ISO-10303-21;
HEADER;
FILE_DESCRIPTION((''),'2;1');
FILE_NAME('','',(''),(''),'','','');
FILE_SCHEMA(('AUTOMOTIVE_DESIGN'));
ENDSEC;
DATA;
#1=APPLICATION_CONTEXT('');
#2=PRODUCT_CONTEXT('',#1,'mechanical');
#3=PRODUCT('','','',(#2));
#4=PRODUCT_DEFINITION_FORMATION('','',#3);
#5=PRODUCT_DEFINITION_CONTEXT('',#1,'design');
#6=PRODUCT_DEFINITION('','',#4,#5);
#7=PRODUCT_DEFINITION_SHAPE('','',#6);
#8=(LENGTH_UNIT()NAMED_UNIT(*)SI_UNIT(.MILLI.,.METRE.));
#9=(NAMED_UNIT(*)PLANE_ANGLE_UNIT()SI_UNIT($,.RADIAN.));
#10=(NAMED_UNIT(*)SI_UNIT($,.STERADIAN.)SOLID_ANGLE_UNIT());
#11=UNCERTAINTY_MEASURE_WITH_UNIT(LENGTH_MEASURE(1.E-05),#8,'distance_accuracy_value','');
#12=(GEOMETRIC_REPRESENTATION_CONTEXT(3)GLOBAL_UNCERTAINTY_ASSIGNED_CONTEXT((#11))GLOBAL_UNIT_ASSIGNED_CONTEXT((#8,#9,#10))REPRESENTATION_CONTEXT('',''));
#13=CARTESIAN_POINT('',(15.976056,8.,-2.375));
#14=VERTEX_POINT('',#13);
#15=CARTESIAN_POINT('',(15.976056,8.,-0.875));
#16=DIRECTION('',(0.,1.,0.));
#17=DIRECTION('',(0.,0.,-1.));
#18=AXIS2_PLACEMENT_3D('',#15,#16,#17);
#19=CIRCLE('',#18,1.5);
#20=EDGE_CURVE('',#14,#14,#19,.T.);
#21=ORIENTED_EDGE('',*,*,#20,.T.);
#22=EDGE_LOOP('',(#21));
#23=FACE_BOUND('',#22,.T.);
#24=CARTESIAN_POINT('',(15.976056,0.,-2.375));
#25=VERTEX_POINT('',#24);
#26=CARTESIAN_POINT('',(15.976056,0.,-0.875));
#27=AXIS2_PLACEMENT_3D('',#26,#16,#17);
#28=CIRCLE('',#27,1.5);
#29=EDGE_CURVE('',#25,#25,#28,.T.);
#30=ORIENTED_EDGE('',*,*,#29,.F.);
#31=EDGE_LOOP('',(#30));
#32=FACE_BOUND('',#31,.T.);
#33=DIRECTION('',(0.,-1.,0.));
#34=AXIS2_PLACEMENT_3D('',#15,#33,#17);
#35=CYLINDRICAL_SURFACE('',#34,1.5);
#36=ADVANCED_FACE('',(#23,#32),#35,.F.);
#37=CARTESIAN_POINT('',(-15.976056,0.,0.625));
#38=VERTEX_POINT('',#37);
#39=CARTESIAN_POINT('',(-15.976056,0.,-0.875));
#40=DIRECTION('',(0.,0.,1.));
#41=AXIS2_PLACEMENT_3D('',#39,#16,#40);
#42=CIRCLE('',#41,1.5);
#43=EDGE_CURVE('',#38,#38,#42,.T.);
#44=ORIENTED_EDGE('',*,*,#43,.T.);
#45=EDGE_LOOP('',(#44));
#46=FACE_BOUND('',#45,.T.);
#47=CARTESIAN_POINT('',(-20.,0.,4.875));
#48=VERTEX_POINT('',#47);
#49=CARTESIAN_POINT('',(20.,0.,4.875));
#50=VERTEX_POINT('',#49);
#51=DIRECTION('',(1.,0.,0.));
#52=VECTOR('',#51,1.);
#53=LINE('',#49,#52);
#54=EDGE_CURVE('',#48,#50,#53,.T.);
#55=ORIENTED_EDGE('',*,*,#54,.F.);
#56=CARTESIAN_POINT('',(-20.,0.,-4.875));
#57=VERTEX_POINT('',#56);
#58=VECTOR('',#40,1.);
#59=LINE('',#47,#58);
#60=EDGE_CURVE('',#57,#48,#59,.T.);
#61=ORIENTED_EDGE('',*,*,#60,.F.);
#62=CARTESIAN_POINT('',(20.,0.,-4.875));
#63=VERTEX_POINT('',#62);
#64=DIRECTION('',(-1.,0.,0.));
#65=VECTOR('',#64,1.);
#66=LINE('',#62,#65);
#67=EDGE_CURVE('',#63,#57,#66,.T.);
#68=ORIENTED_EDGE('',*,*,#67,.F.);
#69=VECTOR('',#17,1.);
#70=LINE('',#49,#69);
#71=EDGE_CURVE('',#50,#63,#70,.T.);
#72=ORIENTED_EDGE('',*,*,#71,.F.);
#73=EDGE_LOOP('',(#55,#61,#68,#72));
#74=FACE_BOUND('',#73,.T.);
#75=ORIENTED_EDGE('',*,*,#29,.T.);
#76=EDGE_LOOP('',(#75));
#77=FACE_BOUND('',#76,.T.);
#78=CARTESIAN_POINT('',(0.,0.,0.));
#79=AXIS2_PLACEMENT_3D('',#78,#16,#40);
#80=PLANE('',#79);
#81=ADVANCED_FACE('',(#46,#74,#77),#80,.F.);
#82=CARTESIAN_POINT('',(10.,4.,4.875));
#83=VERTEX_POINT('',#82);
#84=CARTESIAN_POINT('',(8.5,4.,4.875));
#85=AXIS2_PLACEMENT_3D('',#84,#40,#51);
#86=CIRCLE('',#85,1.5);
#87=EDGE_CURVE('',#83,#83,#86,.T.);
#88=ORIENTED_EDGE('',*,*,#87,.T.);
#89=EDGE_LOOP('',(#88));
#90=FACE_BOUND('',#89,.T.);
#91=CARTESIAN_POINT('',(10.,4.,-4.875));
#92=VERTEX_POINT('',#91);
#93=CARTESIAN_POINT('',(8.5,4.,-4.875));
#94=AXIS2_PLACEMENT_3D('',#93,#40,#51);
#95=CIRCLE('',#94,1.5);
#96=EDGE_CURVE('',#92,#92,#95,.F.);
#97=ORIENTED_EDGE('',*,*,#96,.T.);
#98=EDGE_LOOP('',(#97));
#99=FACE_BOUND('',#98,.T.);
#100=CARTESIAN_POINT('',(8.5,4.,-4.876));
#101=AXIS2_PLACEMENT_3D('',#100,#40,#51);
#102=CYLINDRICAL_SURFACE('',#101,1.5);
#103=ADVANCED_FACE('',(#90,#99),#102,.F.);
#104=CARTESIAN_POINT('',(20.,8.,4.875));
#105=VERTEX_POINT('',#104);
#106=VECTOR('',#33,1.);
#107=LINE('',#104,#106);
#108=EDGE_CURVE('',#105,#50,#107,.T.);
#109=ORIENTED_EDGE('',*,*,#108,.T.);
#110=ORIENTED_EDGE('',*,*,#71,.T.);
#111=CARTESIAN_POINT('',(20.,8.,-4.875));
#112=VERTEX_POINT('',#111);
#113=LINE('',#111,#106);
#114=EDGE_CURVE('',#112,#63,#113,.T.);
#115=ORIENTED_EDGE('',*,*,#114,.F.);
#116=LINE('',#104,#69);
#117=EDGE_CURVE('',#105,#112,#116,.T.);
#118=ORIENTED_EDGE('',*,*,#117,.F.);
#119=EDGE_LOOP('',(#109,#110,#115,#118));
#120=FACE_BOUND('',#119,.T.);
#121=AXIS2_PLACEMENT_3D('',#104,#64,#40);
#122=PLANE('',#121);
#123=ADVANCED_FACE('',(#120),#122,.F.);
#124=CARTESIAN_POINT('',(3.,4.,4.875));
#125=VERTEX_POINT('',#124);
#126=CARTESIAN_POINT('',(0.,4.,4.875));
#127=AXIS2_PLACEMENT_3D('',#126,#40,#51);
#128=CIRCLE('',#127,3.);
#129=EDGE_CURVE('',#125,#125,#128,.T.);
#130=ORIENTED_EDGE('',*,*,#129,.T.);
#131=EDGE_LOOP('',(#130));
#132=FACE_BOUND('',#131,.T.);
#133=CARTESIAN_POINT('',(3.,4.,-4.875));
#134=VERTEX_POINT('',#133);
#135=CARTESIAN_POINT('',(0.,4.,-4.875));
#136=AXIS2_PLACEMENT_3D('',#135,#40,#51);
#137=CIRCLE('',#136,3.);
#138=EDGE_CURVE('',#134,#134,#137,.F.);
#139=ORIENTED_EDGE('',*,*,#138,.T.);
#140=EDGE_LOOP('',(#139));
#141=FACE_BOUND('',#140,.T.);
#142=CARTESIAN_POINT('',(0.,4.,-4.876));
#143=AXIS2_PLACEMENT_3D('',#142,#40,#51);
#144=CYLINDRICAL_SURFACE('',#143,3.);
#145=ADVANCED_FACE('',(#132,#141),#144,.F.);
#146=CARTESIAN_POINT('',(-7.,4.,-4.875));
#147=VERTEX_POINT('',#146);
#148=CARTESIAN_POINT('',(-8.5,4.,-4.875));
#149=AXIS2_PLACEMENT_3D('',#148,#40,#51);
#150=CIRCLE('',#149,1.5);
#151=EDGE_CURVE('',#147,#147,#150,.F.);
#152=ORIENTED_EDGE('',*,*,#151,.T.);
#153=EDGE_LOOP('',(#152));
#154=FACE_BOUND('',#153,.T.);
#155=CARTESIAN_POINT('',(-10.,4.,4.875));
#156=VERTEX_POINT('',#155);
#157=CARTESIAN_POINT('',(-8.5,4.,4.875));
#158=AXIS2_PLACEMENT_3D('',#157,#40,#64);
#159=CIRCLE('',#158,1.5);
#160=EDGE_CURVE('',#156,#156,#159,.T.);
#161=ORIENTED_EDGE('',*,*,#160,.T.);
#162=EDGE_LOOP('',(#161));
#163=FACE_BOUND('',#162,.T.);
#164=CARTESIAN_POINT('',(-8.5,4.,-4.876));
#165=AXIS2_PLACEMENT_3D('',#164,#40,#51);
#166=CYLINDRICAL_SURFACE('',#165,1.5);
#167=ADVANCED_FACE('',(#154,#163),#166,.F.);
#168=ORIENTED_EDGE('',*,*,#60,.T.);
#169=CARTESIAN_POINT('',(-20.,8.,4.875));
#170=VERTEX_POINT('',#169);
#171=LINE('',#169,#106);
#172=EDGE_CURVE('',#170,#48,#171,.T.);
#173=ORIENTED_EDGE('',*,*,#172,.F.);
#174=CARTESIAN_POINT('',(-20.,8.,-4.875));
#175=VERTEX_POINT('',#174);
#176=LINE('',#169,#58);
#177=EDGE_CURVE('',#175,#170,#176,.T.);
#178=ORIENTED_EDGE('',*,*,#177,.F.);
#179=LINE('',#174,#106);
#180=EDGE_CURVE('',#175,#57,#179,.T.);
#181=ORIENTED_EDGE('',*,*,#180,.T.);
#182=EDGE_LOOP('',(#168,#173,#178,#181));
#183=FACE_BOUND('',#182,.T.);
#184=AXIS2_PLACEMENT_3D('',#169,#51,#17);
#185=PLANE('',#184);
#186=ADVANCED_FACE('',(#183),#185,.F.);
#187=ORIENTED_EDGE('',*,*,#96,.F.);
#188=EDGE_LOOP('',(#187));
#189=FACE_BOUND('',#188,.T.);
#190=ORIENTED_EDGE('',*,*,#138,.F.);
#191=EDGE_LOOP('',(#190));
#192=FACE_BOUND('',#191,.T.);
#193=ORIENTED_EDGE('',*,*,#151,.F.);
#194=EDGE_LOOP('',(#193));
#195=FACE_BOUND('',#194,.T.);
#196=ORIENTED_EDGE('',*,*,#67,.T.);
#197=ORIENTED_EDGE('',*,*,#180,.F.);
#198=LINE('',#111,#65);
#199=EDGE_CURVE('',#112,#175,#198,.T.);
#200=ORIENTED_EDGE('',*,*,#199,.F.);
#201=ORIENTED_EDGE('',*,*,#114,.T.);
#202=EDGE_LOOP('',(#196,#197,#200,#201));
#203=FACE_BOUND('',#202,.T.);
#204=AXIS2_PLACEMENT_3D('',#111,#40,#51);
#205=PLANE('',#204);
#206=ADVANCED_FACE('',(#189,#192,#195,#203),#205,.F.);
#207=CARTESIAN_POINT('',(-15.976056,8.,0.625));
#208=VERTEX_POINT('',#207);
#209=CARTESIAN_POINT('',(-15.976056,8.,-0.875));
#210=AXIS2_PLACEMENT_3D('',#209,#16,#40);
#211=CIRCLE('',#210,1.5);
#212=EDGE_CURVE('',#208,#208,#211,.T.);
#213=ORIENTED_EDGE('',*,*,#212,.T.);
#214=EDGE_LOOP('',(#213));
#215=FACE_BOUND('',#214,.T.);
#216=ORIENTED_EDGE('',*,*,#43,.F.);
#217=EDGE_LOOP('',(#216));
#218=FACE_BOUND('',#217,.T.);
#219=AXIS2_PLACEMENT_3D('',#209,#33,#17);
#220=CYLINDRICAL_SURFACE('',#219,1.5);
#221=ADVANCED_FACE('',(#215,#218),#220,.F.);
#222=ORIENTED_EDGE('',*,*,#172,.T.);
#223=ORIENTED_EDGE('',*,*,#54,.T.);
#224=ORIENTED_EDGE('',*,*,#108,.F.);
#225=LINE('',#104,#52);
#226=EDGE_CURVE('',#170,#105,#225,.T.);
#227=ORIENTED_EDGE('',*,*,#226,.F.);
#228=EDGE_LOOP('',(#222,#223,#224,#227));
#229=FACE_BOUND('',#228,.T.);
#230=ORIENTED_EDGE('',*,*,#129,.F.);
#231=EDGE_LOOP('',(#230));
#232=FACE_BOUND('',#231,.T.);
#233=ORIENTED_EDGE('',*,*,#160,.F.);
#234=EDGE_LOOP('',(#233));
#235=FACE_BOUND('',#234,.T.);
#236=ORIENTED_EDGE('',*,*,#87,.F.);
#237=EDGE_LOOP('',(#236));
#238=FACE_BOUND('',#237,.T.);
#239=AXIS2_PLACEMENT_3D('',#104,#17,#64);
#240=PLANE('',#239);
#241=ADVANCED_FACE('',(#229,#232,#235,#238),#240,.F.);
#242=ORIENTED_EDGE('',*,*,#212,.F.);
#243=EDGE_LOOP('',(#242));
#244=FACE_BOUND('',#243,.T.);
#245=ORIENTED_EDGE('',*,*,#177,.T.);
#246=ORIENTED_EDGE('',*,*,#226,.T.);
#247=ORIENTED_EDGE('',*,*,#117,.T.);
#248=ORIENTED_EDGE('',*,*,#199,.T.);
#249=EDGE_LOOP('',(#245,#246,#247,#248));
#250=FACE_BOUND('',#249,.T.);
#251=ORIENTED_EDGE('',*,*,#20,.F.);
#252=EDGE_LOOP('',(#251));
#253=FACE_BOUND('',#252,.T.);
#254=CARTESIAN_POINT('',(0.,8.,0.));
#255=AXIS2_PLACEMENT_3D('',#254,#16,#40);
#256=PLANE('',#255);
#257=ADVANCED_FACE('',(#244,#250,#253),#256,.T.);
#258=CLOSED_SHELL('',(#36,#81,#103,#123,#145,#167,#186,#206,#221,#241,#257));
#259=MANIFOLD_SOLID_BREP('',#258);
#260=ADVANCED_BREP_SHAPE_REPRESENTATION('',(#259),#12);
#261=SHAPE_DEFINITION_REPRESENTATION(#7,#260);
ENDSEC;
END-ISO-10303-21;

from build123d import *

# Parameters (mm, degrees)
SKETCH1_W           = 40
SKETCH1_H           = 9.75
SKETCH1_R           = 1.5
BOSS_EXTRUDE1_DEPTH = 8
CUT_EXTRUDE1_REACH  = 25.645
SKETCH2_R           = 3
SKETCH2_R_2         = 1.5


with BuildPart() as part:
    # Sketch1 → Boss-Extrude1 (new body)
    with BuildSketch(Plane(origin=(0, 0, 0), x_dir=(1, 0, 0), z_dir=(0, 1, 0))):
        Rectangle(SKETCH1_W, SKETCH1_H)
        with Locations(Location((-15.976056303, 0.875, 0), (0, 0, 270))):
            Circle(SKETCH1_R, mode=Mode.SUBTRACT)
        with Locations(Location((15.976056303, 0.875, 0), (0, 0, 90))):
            Circle(SKETCH1_R, mode=Mode.SUBTRACT)
    extrude(amount=BOSS_EXTRUDE1_DEPTH)

    # Sketch2 → Cut-Extrude1 (cut, up to next)
    with BuildSketch(Plane.XY.offset(4.875), mode=Mode.PRIVATE) as cut_extrude1_sk1:
        with Locations((0, 4)):
            Circle(SKETCH2_R)
    cut_extrude1_tool1 = extrude(cut_extrude1_sk1.sketch, amount=-CUT_EXTRUDE1_REACH, mode=Mode.PRIVATE) & part.part
    # Sketch2 → Cut-Extrude1 (cut, up to next)
    with BuildSketch(Plane.XY.offset(4.875), mode=Mode.PRIVATE) as cut_extrude1_sk2:
        with Locations((8.5, 4)):
            Circle(SKETCH2_R_2)
    cut_extrude1_tool2 = extrude(cut_extrude1_sk2.sketch, amount=-CUT_EXTRUDE1_REACH, mode=Mode.PRIVATE) & part.part
    # Sketch2 → Cut-Extrude1 (cut, up to next)
    with BuildSketch(Plane.XY.offset(4.875), mode=Mode.PRIVATE) as cut_extrude1_sk3:
        with Locations((-8.5, 4)):
            Circle(SKETCH2_R_2)
    cut_extrude1_tool3 = extrude(cut_extrude1_sk3.sketch, amount=-CUT_EXTRUDE1_REACH, mode=Mode.PRIVATE) & part.part
    add(cut_extrude1_tool1.solids().sort_by_distance((0, 4, 4.875))[0], mode=Mode.SUBTRACT)
    add(cut_extrude1_tool2.solids().sort_by_distance((8.5, 4, 4.875))[0], mode=Mode.SUBTRACT)
    add(cut_extrude1_tool3.solids().sort_by_distance((-8.5, 4, 4.875))[0], mode=Mode.SUBTRACT)


solid = part.part
